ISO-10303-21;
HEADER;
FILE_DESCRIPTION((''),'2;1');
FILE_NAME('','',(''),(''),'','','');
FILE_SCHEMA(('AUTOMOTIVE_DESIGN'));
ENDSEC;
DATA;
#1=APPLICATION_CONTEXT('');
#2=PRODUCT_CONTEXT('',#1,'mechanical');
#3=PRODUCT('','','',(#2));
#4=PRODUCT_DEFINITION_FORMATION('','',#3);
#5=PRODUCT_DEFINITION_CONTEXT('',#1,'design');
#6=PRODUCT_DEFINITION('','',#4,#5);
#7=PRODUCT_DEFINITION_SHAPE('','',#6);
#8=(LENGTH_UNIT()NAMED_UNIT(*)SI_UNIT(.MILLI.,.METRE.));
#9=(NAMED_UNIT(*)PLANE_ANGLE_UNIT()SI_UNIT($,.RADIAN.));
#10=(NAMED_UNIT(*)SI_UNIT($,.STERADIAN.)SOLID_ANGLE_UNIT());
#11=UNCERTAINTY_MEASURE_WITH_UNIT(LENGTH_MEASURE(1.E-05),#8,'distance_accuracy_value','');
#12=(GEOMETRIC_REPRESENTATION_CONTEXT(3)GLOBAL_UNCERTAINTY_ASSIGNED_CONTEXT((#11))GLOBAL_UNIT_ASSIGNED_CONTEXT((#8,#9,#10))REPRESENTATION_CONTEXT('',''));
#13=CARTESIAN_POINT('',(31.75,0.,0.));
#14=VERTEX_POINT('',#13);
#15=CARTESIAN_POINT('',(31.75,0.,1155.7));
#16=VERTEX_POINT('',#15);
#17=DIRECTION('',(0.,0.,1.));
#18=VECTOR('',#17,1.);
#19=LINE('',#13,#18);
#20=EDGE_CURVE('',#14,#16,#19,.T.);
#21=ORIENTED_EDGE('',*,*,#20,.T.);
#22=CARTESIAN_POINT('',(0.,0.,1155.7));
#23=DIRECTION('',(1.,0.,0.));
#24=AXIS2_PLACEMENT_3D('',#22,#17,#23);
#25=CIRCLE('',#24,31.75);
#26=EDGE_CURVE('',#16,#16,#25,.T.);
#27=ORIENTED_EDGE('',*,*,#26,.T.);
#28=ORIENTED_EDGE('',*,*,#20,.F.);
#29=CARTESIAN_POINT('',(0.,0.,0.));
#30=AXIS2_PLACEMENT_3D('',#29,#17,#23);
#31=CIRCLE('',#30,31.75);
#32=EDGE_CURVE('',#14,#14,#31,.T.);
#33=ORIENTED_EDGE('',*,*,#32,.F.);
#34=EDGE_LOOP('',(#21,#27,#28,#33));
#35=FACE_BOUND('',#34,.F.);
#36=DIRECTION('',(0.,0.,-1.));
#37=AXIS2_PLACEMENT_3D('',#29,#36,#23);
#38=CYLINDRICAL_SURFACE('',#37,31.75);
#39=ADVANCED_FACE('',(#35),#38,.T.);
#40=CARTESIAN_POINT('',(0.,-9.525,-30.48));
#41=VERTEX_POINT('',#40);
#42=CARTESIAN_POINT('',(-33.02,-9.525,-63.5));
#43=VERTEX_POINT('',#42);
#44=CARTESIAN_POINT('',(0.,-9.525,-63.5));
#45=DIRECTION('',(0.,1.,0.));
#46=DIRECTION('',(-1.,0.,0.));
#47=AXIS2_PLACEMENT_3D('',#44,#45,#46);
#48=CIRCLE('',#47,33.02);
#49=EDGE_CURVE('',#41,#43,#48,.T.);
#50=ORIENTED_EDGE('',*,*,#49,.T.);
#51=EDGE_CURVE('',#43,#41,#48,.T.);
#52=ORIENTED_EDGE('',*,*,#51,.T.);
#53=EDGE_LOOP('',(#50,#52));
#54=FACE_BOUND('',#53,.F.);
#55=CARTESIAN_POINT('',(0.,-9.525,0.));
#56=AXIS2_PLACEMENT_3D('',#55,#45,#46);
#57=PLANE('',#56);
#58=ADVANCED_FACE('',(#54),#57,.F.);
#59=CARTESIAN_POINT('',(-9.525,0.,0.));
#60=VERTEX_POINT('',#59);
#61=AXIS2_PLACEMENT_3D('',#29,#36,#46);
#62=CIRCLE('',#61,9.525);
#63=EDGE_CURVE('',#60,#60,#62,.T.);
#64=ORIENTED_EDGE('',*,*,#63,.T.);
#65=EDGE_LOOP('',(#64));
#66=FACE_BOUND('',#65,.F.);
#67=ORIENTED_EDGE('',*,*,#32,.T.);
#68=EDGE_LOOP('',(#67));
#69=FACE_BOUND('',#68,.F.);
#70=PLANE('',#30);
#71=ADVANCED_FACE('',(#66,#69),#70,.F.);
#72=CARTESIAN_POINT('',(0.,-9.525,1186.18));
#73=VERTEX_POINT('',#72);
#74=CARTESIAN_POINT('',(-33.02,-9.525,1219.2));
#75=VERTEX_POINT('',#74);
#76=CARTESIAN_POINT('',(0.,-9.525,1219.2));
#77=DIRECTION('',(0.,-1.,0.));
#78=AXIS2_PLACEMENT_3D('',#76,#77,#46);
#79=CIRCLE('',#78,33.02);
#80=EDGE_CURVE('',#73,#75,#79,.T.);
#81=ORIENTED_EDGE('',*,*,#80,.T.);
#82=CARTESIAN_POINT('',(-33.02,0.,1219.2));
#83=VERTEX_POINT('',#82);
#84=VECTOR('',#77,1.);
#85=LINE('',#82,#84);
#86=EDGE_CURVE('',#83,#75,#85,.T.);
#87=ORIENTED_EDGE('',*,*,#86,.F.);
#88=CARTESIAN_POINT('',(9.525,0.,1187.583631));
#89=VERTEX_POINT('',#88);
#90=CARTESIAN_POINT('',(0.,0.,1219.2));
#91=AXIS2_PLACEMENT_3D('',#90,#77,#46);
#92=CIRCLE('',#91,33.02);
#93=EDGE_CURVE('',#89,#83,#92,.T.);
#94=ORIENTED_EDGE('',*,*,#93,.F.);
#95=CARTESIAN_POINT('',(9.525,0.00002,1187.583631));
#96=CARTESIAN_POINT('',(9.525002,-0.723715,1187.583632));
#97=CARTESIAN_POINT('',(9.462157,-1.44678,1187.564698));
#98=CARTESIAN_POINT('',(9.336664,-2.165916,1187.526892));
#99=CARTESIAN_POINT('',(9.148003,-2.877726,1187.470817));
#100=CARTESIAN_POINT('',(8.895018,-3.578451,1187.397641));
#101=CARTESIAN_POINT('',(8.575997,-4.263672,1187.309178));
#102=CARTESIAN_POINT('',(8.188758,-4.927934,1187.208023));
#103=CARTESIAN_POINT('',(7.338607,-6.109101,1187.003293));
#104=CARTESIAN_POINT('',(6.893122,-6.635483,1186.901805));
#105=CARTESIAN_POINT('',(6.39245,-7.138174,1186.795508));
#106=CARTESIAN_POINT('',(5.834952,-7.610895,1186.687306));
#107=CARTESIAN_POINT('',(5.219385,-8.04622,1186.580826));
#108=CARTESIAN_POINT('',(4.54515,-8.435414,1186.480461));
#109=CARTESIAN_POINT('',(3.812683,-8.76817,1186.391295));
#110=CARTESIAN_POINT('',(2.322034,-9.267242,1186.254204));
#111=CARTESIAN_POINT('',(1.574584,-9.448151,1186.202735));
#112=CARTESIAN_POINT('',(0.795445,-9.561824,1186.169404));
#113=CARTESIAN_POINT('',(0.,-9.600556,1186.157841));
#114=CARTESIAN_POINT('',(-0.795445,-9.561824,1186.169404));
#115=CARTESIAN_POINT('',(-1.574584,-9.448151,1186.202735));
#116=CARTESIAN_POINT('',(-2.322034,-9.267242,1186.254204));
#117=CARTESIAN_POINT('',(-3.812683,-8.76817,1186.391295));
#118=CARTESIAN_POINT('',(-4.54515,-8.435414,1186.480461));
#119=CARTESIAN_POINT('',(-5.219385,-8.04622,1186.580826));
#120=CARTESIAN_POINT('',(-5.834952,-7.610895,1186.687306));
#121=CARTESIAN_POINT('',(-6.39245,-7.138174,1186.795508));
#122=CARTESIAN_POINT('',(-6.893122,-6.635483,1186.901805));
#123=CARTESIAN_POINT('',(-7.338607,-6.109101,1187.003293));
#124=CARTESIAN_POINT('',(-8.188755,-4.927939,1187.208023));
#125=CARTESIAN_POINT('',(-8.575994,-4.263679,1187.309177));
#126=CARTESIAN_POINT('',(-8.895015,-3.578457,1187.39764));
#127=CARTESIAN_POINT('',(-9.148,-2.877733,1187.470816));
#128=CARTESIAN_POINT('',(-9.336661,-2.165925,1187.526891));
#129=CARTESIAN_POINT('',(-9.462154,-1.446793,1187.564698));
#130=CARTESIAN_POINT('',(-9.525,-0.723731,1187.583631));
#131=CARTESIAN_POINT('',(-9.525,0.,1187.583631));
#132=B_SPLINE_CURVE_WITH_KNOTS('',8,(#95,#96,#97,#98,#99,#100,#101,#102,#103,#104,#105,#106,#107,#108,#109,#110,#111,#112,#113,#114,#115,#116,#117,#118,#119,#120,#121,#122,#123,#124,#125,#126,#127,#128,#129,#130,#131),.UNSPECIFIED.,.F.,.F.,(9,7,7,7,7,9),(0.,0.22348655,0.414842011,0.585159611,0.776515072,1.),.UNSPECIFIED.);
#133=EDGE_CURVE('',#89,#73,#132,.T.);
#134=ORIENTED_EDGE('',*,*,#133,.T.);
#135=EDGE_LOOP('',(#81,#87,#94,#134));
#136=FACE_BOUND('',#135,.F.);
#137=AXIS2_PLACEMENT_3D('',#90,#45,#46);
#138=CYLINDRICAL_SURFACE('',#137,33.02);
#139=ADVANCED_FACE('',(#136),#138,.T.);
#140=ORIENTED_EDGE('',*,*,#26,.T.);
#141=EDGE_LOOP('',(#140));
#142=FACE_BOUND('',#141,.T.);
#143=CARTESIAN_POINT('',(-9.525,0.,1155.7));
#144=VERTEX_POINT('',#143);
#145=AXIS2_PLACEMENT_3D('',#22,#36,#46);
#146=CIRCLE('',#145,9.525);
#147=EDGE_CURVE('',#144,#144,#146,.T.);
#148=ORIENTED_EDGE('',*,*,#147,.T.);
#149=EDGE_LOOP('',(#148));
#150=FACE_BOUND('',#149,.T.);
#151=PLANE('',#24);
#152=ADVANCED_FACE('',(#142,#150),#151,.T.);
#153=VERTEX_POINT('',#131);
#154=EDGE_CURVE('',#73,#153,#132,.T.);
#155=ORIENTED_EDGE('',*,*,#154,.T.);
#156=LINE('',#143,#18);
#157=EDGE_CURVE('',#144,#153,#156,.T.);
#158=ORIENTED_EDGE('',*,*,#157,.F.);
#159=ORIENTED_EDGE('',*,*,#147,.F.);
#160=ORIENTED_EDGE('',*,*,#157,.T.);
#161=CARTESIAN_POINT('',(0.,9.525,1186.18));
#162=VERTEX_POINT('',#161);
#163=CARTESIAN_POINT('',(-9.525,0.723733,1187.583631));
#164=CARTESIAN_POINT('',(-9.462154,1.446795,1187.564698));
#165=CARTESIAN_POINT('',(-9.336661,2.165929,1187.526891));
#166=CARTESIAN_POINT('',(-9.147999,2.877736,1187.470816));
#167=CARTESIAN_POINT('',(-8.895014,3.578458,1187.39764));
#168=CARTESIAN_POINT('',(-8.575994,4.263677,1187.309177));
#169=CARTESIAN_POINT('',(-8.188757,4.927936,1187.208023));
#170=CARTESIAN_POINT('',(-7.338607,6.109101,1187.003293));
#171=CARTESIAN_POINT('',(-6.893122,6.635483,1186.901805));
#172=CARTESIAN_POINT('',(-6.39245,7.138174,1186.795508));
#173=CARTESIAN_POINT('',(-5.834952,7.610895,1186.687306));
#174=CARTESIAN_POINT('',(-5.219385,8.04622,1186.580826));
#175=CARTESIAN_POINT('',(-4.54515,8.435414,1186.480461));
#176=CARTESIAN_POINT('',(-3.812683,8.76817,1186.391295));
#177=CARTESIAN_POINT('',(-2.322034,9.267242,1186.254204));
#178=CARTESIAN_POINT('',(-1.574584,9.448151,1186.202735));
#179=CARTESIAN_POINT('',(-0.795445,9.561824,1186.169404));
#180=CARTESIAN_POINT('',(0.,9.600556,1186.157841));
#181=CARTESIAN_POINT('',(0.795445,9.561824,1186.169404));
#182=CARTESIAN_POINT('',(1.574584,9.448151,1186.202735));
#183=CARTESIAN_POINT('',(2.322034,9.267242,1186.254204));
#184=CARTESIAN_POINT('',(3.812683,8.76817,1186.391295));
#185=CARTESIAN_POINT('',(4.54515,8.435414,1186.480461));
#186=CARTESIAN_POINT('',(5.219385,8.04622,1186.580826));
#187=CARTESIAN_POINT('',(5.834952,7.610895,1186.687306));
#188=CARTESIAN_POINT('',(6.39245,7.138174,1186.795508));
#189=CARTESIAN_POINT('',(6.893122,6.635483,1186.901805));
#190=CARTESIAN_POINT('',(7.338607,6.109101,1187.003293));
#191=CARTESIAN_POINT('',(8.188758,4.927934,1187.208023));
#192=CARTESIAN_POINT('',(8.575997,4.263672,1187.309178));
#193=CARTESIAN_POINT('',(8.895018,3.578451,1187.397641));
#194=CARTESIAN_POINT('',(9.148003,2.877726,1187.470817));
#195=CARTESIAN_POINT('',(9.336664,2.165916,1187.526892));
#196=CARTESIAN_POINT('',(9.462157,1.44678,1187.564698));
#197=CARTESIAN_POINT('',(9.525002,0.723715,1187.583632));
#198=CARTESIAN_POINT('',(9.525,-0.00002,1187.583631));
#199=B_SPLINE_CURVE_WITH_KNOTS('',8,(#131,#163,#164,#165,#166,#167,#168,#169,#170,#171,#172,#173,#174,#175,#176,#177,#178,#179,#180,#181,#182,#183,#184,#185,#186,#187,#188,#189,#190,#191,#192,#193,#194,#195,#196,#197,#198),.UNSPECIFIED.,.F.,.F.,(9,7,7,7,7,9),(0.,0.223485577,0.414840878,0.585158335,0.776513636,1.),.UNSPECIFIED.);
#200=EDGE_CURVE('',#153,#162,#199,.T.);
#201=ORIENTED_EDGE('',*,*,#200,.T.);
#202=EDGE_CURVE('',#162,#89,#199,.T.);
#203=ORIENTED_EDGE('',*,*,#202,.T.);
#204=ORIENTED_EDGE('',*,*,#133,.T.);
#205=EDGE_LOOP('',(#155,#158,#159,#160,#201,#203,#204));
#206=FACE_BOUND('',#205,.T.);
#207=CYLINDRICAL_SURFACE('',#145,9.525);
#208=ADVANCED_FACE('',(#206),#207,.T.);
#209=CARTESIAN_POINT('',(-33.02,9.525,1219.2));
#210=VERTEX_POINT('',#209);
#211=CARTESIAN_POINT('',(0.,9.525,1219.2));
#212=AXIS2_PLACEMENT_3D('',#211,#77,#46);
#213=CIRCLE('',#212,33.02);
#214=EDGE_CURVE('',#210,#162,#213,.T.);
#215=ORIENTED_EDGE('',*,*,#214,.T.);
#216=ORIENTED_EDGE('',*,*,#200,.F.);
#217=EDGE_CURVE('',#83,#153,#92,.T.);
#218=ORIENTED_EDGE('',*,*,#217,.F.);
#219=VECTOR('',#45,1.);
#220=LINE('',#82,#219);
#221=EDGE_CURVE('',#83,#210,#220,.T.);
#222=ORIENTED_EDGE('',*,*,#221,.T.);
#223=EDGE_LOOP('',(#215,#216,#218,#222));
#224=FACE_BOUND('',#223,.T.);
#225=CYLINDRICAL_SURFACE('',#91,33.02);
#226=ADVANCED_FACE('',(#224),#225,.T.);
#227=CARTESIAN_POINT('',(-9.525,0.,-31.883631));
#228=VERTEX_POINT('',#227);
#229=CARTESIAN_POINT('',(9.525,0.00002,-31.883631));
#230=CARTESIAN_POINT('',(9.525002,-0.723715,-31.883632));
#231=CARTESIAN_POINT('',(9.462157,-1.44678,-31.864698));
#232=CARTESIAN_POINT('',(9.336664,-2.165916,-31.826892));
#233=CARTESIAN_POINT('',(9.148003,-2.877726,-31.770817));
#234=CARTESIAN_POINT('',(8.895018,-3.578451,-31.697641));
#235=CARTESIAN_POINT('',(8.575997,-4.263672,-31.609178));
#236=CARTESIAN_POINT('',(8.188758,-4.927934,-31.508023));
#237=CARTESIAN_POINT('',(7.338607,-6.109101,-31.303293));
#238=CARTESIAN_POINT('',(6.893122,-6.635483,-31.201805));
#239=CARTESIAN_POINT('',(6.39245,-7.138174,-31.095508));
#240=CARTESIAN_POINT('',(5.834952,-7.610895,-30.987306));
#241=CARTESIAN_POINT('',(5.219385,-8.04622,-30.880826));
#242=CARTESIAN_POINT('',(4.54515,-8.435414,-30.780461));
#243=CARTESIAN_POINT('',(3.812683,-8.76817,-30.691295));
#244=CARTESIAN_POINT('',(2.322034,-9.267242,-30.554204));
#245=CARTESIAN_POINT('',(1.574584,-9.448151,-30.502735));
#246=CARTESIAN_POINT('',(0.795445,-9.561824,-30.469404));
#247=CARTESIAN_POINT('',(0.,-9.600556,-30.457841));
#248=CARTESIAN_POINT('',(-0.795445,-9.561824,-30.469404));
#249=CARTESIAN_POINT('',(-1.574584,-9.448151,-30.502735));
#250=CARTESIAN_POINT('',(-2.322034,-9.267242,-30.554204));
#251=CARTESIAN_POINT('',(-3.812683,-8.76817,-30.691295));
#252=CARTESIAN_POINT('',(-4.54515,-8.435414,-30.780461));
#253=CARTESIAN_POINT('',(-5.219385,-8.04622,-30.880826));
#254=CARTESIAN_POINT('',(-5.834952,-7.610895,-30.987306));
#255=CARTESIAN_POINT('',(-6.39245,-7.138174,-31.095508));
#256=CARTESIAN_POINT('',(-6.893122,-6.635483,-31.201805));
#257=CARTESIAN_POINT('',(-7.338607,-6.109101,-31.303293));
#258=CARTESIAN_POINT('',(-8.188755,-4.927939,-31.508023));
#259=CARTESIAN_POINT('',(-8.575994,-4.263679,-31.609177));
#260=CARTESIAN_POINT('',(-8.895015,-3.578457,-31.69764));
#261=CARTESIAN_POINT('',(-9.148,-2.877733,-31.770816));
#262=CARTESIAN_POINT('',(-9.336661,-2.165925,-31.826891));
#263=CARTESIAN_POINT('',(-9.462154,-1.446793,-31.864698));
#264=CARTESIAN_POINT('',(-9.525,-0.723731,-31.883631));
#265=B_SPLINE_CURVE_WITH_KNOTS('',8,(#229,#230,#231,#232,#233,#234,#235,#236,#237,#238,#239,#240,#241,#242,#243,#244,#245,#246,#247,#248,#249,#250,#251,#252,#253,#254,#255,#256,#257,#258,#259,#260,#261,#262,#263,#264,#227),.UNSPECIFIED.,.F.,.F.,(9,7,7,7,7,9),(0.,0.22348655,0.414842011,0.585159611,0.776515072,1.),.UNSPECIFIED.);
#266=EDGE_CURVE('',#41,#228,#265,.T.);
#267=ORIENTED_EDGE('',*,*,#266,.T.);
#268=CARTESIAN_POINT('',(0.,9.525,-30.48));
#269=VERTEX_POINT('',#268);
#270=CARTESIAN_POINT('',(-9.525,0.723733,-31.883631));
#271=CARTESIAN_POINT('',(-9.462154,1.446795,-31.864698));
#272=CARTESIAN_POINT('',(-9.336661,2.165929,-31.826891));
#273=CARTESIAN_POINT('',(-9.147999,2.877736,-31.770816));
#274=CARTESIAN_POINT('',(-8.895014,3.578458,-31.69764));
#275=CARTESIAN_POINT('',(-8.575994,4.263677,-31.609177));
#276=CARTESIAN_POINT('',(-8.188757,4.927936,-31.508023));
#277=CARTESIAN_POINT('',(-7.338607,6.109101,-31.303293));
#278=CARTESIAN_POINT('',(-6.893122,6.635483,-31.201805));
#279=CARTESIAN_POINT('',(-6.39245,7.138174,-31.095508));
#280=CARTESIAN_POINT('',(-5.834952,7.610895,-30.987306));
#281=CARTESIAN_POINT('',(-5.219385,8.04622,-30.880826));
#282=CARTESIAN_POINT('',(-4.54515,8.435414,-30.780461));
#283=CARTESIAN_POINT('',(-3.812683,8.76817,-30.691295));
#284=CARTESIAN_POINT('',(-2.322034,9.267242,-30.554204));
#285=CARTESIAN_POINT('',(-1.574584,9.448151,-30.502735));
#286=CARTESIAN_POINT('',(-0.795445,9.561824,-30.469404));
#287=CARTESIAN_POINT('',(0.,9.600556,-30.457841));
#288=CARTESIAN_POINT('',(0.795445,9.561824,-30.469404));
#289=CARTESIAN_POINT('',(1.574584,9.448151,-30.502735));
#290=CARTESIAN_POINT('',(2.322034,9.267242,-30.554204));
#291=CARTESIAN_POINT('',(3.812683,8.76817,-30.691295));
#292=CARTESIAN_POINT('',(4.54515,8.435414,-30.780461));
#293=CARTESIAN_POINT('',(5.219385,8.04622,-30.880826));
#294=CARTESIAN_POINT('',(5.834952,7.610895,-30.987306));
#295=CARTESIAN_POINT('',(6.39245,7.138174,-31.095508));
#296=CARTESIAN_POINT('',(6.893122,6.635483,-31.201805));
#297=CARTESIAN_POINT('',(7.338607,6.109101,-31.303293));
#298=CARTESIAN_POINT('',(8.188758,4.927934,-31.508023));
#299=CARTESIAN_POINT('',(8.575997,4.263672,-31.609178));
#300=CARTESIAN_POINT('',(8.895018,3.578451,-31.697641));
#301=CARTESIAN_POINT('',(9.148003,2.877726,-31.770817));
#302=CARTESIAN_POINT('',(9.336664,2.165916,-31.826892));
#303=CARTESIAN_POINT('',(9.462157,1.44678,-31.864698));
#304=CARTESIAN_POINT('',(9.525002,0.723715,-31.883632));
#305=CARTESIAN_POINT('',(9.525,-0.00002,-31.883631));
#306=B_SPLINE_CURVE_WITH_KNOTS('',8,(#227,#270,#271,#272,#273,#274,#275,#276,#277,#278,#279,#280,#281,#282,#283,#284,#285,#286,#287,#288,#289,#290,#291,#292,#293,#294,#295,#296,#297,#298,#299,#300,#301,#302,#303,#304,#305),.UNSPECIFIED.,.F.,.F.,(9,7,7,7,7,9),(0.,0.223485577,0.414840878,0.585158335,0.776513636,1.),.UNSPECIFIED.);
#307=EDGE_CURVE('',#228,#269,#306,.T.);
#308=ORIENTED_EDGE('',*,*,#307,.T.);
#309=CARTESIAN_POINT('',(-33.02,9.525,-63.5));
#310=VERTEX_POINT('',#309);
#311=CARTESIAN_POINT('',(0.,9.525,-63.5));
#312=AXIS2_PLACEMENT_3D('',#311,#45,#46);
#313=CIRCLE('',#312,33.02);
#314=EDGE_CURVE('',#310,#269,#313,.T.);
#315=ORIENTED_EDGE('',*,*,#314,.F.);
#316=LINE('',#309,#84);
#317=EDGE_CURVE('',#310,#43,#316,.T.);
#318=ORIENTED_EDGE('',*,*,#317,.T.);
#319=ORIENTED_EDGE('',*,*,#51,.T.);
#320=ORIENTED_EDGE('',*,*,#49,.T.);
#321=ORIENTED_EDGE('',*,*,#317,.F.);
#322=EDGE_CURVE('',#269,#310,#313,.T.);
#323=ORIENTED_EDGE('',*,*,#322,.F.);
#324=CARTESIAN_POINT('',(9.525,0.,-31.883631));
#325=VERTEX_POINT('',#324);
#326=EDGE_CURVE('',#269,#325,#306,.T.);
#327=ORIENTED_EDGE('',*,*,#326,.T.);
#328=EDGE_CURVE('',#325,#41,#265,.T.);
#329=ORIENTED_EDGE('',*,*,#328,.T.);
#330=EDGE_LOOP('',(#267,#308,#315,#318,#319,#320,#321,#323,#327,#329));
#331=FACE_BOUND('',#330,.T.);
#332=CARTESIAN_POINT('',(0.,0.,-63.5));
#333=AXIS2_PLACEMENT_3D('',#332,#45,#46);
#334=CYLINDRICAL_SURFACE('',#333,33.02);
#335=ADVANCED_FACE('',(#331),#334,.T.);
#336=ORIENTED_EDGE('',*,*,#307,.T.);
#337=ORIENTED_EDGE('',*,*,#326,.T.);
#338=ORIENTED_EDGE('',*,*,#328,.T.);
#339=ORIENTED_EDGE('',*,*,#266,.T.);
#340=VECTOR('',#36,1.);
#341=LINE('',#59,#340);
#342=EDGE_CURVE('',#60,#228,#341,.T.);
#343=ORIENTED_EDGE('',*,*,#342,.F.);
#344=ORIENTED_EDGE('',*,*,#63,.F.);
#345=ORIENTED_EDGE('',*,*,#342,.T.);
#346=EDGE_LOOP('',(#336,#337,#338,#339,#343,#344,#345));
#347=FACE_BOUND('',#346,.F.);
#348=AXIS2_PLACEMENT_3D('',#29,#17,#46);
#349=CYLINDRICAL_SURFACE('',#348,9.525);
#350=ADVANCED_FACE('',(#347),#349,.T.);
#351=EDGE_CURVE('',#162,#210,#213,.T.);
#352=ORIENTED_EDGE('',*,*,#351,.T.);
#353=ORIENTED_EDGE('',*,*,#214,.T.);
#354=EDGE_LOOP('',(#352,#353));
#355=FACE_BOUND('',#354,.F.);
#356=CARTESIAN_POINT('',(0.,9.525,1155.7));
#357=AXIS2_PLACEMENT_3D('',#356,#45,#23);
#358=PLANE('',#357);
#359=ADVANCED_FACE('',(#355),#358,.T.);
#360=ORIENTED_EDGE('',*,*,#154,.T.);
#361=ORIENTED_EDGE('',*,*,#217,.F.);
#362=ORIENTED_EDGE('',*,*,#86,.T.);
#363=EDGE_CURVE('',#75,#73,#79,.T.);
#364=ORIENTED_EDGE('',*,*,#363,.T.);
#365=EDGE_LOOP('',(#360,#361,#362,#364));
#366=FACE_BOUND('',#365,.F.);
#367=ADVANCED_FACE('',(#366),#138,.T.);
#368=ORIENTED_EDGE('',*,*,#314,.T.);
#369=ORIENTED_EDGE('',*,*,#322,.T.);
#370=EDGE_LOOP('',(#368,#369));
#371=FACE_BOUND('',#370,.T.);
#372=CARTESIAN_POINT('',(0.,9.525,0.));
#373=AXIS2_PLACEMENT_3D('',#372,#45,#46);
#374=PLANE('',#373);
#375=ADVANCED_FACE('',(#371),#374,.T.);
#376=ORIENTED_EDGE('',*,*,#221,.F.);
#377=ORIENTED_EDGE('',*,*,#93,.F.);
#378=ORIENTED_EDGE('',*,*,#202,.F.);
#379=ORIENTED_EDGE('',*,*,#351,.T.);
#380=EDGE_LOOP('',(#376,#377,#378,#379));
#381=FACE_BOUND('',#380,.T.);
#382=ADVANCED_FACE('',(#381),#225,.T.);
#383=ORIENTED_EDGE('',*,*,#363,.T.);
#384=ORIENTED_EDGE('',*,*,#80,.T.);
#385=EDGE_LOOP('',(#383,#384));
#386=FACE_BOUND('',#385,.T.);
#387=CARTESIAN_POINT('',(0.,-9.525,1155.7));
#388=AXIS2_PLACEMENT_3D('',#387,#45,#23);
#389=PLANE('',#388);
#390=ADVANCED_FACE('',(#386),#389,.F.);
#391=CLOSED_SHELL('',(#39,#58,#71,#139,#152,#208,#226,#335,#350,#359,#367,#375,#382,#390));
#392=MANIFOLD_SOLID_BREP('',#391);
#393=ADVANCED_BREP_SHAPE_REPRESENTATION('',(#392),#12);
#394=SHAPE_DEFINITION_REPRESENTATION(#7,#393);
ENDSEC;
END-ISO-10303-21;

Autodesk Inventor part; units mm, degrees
ref_plane "YZ Plane" through (0, 0, 0) normal (1, 0, 0) x (0, 1, 0)
ref_plane "XZ Plane" through (0, 0, 0) normal (0, 1, 0) x (-1, 0, 0)
sketch "Sketch1" plane through (0, 0, 0) normal (0, 0, 1) x (1, 0, 0)
  circle A0 centre (0, 0) radius 31.75
  dimension "d0" = 63.5
extrude "Extrusion1" add sketch "Sketch1" along normal blind 1155.7
sketch "Sketch2" plane through (0, 0, 0) normal (0, 0, -1) x (-1, 0, 0)
  circle A0 centre (0, 0) radius 9.525
  dimension "d3" = 19.05
extrude "Extrusion2" add sketch "Sketch2" along normal blind 50.8
sketch "Sketch3" plane through (0, 0, 0) normal (0, 1, 0) x (-1, 0, 0)
  circle A0 centre (0, -63.5) radius 33.02
  line L0 (31.75, 0) -> (-31.75, 0) projected
  point P0 (0, 0)
  dimension "d6" = 63.5
  dimension "d7" = 66.04
extrude "Extrusion3" add sketch "Sketch3" along normal mid plane 19.05
ref_plane "Work Plane1" through (0, 0, 577.85) normal (0, 0, -1) x (-1, 0, 0)
mirror "Mirror1" about plane through (0, 0, 577.85) normal (0, 0, -1) of "Extrusion3", "Extrusion2"
properties part number "driveshaft_m_mount_shaft"
